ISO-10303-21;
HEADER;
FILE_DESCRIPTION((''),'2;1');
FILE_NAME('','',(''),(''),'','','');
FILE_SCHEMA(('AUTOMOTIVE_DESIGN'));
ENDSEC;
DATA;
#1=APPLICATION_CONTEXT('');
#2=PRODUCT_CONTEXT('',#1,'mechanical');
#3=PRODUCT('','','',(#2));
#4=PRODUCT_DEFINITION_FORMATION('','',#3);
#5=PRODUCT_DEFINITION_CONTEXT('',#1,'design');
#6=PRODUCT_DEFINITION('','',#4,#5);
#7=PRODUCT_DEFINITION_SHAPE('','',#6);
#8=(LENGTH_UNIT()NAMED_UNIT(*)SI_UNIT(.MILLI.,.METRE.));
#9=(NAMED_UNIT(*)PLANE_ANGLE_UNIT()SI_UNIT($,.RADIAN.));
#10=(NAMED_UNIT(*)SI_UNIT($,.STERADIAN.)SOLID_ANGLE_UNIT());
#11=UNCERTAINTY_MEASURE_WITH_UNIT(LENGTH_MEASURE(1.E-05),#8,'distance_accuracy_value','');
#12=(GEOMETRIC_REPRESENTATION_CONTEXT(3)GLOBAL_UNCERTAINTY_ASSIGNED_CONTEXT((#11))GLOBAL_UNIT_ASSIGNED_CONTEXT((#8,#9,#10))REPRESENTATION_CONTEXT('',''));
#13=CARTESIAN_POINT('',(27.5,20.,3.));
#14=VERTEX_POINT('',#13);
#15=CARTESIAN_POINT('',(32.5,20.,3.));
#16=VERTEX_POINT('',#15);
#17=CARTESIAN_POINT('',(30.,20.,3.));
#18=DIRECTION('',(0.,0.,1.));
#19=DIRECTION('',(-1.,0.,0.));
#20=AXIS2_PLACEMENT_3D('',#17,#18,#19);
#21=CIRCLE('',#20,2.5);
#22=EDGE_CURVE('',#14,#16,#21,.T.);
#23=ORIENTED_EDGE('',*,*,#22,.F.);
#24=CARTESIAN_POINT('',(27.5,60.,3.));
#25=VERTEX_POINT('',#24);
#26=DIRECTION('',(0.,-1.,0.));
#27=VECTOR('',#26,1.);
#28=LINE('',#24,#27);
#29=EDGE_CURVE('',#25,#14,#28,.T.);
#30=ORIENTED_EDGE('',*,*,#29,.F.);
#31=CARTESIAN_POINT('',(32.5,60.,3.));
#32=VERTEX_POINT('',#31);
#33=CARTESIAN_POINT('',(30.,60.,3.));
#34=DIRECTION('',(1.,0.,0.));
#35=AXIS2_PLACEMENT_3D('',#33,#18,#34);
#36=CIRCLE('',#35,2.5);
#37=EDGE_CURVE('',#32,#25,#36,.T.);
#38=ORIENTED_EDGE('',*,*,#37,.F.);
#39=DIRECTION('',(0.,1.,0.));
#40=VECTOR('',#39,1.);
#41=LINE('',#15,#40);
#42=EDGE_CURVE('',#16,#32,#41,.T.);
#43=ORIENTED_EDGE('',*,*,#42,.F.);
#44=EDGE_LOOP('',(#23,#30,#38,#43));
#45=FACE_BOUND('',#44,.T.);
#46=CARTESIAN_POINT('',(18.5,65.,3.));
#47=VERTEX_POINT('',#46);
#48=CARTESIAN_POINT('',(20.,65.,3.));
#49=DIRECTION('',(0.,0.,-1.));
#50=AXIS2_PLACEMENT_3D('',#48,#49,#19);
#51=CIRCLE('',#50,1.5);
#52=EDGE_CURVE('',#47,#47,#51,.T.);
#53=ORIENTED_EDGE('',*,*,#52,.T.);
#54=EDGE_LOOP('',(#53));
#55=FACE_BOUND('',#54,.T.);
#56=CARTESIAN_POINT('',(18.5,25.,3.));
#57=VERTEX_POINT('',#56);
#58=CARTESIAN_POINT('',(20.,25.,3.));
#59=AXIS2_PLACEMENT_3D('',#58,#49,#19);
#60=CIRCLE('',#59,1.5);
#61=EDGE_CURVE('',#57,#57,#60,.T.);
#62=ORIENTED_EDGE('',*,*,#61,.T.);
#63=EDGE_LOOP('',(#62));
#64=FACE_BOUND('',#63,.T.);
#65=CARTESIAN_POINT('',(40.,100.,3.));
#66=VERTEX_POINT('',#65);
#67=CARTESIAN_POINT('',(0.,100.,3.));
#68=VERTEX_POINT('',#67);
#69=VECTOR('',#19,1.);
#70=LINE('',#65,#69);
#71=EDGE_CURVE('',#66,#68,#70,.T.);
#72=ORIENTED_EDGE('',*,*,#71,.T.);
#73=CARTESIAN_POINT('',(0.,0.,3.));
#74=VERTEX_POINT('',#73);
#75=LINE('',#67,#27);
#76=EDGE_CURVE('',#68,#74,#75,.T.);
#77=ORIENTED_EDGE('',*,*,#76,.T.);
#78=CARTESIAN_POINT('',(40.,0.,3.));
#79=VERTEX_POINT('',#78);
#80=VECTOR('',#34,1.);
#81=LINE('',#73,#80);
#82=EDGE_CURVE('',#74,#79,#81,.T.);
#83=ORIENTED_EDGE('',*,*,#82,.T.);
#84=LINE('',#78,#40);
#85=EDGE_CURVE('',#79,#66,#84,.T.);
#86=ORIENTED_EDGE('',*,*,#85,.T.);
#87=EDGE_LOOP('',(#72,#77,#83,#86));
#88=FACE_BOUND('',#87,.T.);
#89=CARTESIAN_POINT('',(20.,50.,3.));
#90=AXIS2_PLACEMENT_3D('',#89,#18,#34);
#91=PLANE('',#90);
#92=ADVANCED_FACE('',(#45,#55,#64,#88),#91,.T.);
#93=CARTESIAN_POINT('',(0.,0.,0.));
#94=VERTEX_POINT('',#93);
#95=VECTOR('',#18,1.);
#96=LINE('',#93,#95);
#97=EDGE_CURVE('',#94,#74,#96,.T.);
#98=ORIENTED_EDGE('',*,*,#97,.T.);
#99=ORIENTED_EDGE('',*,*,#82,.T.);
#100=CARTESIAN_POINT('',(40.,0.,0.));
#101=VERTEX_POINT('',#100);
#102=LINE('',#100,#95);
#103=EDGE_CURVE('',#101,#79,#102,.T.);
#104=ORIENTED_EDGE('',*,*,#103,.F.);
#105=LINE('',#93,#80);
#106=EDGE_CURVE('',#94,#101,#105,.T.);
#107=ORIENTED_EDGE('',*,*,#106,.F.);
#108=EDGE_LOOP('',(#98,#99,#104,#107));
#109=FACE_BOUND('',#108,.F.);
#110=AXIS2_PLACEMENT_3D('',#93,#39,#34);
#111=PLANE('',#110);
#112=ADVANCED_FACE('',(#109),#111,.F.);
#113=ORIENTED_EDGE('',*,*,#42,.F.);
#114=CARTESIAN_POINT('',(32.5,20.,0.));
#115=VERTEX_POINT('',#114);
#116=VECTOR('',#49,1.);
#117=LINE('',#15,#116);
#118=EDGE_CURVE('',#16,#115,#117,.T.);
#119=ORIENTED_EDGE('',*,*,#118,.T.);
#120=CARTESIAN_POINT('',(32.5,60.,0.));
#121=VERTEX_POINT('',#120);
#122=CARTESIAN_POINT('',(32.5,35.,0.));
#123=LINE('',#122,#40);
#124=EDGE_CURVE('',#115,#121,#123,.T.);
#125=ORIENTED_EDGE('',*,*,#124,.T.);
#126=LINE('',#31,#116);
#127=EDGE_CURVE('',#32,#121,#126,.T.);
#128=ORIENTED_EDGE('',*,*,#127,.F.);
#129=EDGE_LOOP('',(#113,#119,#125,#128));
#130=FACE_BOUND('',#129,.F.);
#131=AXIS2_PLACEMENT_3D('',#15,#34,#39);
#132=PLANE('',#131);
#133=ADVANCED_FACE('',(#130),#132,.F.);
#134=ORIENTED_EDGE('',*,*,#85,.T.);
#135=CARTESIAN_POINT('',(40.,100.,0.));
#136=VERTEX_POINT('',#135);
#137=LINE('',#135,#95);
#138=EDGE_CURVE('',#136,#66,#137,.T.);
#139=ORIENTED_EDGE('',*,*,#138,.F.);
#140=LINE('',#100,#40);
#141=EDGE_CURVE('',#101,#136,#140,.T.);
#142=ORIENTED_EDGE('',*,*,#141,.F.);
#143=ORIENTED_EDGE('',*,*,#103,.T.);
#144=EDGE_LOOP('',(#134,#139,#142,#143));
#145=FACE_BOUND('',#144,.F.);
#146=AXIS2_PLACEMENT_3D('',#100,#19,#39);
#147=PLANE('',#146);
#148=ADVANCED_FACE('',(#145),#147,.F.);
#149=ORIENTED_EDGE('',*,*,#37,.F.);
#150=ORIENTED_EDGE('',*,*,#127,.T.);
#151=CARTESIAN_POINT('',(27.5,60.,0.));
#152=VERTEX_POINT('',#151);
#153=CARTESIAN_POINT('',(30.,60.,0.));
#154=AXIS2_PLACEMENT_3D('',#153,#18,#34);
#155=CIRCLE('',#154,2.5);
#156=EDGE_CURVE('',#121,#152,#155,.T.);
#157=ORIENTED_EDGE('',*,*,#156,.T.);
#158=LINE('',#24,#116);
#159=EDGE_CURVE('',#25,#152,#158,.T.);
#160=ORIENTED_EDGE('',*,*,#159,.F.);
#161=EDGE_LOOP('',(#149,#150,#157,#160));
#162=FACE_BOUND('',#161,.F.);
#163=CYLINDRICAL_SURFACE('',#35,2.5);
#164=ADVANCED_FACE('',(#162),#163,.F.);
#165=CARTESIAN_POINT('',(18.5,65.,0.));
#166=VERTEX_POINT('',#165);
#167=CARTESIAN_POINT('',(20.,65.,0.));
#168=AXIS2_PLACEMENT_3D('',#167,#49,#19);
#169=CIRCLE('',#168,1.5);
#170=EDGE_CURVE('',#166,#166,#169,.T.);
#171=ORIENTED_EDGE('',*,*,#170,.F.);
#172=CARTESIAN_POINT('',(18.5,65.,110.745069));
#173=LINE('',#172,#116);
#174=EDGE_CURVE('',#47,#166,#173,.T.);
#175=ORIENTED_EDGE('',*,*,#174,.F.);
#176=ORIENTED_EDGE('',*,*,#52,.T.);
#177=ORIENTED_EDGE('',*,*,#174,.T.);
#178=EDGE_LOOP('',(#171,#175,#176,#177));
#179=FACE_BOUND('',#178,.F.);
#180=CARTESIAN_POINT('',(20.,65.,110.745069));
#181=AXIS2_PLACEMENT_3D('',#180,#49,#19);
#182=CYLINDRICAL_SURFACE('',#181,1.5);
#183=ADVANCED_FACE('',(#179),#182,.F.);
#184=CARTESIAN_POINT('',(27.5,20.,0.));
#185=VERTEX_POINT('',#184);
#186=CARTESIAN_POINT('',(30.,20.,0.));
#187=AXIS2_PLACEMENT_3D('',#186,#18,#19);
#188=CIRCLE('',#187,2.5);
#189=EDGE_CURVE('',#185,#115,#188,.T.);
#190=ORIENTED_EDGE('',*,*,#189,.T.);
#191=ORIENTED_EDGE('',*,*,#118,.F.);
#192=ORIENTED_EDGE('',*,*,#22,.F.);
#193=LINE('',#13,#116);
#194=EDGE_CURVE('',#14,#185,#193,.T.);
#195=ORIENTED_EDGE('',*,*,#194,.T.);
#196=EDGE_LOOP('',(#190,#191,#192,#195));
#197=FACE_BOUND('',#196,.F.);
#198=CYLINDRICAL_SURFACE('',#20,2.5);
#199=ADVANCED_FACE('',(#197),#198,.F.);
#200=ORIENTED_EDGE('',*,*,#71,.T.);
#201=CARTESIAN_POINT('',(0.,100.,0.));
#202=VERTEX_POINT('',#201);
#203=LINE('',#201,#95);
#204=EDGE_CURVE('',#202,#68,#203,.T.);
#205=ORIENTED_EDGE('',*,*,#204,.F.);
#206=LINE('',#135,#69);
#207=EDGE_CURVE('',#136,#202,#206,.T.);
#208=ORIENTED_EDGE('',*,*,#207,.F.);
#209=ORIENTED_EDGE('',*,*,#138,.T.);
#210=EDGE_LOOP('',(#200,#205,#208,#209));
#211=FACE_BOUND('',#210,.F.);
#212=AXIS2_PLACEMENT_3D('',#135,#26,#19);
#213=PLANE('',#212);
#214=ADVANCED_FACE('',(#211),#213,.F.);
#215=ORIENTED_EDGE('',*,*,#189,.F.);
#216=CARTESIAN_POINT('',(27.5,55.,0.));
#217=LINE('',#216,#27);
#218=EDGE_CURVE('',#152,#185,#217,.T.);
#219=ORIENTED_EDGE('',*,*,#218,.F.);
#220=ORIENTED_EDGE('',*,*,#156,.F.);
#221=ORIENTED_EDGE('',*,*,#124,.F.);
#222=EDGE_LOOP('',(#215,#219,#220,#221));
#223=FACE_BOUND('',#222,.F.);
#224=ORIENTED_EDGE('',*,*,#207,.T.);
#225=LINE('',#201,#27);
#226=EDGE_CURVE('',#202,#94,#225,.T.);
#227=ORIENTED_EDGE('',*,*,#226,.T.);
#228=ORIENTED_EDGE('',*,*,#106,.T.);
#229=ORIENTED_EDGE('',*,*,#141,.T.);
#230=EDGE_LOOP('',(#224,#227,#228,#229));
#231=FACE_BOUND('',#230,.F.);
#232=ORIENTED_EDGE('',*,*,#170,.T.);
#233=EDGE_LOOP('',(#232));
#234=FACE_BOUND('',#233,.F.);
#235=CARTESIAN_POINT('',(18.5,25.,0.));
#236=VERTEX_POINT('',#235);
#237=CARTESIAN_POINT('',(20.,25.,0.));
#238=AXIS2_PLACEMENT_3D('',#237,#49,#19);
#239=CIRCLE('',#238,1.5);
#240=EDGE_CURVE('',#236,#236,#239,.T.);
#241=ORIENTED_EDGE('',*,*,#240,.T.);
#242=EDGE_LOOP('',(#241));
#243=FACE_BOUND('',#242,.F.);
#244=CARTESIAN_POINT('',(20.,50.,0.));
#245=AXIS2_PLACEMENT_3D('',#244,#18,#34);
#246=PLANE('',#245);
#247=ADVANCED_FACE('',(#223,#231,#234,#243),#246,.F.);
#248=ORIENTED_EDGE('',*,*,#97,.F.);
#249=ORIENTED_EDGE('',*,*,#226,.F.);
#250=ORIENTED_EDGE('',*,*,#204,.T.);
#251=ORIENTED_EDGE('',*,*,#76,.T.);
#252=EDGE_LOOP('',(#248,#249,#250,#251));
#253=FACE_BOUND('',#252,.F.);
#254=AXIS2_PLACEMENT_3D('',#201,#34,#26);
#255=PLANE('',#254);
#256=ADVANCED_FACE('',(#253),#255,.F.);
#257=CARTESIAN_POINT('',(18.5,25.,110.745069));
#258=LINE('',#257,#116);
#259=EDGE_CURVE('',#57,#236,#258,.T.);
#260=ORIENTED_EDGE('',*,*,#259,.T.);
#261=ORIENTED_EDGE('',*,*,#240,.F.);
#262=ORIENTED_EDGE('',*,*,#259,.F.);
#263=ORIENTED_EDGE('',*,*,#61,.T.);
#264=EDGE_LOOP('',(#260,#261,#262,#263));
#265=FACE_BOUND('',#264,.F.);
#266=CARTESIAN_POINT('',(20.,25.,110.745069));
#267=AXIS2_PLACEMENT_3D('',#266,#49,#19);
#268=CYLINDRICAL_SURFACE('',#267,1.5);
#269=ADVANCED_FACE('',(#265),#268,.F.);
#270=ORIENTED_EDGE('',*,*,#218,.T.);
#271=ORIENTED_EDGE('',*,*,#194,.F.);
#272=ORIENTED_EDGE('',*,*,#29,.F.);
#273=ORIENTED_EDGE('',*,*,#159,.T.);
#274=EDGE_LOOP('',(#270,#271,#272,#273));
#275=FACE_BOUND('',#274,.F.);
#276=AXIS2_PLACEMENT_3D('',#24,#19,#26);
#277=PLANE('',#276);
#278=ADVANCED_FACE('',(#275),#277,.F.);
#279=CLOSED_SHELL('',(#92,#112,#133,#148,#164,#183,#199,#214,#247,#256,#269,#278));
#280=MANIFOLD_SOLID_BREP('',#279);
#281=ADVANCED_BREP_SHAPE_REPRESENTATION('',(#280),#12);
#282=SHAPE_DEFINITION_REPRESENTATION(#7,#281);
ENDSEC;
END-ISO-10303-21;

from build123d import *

# Parameters (mm, degrees)
F1_DEPTH = 3
F3_D     = 3
F6_DEPTH = 25


with BuildPart() as f1:
    # F0 (on Top) → F1 (new body)
    with BuildSketch(Plane.XY):
        Polygon((0, 100), (0, 0), (5.765755, 0), (40, 0), (40, 100), align=None)
    extrude(amount=F1_DEPTH)

    # F3 (through all)
    with Locations(Plane.XY.offset(3)):
        with Locations((20, 65), (20, 25)):
            Hole(F3_D / 2)

    # F5 (on face) → F6 (cut)
    with BuildSketch(Plane.XY.offset(3)):
        with BuildLine():
            ThreePointArc((27.5, 20), (30, 17.5), (32.5, 20))
            Line((32.5, 20), (32.5, 60))
            ThreePointArc((32.5, 60), (30, 62.5), (27.5, 60))
            Line((27.5, 60), (27.5, 20))
        make_face()
    extrude(amount=-F6_DEPTH, mode=Mode.SUBTRACT)


solid = f1.part
